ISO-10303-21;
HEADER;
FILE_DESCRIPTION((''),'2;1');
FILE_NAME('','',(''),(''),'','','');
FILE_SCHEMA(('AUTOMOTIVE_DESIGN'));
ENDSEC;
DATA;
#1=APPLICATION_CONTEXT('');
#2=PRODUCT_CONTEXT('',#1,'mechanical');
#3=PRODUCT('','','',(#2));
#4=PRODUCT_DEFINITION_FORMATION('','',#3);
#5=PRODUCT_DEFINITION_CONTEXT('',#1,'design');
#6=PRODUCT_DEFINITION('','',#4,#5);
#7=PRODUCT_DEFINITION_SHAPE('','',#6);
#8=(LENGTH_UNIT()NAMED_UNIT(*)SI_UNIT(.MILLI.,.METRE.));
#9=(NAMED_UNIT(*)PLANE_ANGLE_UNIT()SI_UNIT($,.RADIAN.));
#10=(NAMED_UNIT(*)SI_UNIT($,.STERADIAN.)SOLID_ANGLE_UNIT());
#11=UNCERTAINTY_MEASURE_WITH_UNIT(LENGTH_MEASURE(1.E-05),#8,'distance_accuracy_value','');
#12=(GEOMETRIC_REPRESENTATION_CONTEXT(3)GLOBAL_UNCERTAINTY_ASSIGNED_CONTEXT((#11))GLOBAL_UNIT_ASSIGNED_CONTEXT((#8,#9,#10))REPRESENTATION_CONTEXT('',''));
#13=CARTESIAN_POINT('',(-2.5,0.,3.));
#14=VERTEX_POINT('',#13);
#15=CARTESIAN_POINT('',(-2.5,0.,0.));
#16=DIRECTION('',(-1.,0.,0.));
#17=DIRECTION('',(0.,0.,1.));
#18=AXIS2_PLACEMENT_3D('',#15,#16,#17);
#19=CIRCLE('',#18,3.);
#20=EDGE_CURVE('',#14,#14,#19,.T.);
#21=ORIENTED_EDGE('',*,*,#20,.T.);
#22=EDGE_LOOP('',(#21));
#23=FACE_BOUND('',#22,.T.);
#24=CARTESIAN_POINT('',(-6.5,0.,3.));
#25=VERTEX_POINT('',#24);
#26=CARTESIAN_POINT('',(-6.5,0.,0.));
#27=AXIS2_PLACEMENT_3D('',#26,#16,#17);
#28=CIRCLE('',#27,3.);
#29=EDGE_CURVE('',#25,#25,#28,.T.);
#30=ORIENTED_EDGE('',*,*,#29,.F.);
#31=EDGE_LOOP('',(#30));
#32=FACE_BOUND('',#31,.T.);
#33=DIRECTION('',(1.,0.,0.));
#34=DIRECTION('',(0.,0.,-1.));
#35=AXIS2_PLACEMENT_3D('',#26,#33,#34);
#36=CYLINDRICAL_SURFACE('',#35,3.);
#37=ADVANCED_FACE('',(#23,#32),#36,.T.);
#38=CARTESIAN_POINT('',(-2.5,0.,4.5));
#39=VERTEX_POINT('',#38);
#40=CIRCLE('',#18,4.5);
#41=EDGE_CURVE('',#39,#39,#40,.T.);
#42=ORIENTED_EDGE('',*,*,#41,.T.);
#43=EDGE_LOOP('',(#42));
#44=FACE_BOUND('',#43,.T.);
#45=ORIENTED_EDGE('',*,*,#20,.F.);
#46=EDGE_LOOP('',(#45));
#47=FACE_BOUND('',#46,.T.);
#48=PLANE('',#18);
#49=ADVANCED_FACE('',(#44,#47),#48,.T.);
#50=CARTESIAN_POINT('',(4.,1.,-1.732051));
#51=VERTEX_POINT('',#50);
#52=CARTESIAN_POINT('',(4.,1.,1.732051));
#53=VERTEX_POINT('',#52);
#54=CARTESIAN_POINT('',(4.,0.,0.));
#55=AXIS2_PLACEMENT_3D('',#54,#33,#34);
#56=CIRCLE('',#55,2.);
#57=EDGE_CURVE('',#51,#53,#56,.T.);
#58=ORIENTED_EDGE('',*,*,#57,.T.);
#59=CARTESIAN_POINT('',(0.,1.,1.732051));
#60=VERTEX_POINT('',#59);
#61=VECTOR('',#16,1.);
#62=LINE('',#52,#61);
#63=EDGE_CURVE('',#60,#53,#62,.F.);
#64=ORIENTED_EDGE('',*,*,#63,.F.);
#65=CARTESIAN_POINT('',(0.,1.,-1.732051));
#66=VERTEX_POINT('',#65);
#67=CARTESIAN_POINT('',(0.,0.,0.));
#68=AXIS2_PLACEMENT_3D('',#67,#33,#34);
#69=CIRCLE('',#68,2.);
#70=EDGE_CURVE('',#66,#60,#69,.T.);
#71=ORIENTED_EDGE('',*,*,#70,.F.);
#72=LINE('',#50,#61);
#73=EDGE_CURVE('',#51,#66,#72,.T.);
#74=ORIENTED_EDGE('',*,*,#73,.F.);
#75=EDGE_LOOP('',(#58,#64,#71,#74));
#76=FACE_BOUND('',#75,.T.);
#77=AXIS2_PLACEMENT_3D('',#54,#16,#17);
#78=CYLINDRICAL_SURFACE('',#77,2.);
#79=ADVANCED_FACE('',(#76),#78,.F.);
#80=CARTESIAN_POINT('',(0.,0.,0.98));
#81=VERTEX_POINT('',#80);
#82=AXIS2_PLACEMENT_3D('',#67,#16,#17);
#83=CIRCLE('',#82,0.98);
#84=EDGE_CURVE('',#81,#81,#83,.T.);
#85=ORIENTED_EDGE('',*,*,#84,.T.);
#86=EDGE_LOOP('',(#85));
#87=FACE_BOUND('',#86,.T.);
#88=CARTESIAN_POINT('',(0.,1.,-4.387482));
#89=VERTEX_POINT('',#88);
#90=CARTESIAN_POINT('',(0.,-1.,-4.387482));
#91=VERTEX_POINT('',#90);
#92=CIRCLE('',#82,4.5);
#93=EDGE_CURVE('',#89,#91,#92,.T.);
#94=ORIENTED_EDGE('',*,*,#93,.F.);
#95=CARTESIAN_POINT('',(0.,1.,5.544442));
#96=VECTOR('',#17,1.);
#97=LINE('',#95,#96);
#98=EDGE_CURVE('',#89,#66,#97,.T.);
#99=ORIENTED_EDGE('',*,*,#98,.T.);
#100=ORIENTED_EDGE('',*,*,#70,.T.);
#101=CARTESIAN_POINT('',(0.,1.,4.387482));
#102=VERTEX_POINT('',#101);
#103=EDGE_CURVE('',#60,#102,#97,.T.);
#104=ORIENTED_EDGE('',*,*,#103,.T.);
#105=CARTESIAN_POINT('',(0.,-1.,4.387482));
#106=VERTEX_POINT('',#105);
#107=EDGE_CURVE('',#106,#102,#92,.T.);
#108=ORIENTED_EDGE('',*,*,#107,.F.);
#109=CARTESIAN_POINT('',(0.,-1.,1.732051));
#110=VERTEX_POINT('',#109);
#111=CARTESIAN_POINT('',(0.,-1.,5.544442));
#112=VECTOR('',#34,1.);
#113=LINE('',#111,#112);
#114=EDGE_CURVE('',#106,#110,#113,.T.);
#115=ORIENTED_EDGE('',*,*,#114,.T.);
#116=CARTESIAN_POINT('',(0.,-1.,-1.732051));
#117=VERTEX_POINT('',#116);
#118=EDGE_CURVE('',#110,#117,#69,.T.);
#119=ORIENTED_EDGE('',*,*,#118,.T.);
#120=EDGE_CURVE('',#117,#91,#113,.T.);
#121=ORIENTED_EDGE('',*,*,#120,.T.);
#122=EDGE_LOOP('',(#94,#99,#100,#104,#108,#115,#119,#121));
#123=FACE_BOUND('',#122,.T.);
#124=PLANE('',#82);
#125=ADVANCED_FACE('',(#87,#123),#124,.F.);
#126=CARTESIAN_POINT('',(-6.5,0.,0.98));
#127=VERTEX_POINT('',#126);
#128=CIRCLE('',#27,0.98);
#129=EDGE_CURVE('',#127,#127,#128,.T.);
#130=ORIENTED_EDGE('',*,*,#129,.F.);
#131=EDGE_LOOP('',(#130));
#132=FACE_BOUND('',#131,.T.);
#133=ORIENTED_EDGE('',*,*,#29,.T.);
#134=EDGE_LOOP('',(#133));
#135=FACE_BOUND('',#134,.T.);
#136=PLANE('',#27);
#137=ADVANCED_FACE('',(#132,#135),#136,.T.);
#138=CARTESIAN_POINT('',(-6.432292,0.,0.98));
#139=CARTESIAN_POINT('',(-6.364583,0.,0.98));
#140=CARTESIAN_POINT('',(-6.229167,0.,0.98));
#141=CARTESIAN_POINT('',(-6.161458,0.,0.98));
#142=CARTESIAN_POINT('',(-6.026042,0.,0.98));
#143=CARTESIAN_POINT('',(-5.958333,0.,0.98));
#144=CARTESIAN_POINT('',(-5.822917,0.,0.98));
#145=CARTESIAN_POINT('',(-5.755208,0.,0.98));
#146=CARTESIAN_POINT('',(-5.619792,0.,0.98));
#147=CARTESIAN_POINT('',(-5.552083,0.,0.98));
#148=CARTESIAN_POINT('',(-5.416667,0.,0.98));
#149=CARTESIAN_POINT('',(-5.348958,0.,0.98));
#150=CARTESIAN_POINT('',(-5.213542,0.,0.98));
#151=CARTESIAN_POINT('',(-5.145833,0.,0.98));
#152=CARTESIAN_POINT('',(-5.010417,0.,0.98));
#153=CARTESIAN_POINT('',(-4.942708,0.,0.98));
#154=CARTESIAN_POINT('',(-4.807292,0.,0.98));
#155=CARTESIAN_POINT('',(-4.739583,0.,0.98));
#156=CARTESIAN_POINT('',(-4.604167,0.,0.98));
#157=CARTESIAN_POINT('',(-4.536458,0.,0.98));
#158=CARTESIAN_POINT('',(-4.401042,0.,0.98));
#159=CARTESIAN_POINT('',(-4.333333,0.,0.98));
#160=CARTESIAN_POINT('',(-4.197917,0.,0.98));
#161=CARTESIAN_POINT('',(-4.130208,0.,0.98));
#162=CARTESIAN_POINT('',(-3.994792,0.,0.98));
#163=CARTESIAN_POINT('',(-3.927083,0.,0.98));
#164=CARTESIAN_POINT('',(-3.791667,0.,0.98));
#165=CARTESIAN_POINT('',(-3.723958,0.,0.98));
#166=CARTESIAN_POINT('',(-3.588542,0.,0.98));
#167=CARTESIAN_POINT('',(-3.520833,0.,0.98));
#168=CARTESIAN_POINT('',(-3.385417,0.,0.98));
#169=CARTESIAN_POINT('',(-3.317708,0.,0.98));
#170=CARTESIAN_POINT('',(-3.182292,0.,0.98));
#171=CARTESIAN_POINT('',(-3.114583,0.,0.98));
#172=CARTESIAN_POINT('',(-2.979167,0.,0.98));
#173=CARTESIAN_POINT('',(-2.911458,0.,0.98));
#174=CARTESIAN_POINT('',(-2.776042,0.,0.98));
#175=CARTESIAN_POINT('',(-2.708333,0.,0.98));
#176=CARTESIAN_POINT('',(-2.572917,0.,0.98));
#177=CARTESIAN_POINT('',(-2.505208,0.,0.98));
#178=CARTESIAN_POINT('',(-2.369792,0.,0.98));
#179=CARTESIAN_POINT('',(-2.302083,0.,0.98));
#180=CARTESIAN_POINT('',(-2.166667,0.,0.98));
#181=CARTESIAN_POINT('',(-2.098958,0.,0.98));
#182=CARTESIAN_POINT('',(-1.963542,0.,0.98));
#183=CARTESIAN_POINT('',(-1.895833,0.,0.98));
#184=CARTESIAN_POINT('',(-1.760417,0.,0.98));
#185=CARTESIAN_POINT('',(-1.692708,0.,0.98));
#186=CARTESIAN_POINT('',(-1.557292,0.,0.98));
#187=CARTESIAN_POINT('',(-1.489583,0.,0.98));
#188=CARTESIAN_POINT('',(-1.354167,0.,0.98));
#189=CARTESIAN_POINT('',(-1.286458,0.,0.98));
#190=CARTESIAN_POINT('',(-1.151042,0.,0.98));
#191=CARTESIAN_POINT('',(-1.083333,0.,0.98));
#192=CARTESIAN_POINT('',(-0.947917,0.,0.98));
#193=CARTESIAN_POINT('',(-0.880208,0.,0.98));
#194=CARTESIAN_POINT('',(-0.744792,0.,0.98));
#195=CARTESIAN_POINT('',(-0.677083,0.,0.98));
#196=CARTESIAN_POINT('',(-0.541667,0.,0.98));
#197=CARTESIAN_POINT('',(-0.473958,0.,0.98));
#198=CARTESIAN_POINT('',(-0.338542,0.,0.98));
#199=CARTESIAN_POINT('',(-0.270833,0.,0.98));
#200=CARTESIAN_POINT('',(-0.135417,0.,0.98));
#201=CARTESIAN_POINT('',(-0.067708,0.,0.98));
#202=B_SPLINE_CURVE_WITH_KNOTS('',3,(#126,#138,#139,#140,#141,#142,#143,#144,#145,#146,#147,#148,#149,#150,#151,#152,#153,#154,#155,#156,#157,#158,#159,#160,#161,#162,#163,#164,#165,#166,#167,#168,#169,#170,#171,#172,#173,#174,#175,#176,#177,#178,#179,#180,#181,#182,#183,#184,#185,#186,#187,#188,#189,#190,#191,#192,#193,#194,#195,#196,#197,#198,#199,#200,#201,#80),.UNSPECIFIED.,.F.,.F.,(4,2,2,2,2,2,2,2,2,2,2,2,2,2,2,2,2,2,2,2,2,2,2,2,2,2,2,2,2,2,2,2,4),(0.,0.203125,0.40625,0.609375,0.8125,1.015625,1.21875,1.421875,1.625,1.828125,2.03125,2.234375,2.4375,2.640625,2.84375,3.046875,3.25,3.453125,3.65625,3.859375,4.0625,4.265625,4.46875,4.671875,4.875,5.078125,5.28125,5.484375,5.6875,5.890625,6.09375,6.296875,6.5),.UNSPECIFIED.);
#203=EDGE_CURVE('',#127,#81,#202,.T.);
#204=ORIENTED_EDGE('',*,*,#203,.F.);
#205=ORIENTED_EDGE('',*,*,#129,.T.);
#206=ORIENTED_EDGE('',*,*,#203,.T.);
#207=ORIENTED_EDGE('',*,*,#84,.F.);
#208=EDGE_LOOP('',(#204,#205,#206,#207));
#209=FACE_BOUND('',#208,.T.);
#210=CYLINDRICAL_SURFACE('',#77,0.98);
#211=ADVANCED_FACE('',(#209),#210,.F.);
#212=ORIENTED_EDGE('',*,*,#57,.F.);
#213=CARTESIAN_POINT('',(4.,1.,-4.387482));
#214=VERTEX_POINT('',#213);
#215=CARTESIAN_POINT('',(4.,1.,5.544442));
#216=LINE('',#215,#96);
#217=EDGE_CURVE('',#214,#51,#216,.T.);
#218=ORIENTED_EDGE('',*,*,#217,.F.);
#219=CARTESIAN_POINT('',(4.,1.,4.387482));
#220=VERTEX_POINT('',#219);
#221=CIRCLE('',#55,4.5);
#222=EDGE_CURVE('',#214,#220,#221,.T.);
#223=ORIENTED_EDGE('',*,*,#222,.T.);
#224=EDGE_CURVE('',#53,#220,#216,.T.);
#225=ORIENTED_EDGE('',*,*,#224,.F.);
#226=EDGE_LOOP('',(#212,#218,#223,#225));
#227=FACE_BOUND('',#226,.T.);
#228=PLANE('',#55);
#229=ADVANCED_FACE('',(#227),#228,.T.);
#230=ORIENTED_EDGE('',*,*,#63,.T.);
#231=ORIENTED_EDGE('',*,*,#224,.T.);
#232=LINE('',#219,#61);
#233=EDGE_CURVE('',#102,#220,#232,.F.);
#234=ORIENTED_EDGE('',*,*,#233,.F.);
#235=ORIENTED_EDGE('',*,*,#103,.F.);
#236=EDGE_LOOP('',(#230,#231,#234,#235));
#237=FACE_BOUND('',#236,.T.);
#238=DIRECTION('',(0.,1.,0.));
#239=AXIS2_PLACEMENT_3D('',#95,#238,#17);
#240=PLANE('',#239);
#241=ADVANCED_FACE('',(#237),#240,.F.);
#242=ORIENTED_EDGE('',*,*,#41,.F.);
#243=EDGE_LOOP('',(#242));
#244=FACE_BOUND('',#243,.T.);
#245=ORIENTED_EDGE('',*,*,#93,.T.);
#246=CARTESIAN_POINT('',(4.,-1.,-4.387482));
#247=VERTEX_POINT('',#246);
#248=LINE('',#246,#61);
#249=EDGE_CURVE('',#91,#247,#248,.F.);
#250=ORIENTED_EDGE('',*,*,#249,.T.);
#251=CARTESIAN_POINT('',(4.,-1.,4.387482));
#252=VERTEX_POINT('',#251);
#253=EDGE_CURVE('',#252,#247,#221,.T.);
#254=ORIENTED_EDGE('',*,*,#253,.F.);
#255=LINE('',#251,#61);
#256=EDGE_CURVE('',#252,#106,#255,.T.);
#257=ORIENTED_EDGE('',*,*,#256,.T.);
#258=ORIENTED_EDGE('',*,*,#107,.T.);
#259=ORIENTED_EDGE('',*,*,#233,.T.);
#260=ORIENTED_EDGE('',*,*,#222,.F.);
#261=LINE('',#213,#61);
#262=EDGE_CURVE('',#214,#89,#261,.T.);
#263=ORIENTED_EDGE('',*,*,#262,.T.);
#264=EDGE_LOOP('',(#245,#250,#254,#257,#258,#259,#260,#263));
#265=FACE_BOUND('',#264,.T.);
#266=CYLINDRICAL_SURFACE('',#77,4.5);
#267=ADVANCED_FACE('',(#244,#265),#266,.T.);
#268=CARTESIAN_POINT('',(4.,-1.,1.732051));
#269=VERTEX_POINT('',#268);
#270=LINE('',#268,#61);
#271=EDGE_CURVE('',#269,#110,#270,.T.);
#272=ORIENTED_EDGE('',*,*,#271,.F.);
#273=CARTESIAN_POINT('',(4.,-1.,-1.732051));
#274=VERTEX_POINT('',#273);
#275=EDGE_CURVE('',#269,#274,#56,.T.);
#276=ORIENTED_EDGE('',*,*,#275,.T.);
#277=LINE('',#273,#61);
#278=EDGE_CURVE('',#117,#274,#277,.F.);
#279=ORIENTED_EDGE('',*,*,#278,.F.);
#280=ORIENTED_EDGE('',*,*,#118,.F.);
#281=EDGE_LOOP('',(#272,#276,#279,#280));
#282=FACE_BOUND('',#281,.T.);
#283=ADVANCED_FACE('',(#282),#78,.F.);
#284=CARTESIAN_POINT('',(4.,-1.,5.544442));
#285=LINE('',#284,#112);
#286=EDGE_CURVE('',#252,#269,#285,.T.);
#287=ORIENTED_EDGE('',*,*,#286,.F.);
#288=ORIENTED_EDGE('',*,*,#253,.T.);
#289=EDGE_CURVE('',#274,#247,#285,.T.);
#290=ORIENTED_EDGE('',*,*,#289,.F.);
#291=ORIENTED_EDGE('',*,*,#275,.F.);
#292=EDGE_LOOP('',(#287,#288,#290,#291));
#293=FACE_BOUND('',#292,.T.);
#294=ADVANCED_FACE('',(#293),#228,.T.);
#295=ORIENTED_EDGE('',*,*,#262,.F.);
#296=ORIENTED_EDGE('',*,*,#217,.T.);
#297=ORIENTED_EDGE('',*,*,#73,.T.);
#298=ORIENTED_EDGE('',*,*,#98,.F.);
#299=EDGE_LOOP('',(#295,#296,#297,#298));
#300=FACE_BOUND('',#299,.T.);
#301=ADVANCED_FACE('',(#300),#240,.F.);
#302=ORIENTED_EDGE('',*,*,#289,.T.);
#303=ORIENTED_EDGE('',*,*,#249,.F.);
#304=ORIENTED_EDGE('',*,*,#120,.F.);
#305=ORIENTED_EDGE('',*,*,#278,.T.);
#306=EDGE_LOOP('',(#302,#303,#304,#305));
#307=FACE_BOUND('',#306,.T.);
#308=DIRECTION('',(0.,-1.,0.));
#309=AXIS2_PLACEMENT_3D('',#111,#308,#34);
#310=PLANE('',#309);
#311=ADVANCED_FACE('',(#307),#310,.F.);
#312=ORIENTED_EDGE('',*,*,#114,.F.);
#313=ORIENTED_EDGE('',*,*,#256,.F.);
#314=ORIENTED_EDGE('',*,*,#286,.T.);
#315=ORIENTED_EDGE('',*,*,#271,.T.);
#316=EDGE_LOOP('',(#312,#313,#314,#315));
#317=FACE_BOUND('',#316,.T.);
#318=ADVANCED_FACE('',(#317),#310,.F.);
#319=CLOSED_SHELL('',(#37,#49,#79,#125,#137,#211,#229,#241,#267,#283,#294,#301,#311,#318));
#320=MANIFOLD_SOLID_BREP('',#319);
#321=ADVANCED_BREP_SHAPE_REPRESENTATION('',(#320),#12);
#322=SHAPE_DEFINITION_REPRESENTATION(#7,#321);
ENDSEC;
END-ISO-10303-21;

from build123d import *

# Parameters (mm, degrees)
SKETCH_1_R          = 4.5
SKETCH_1_R_2        = 2
EXTRUDE_1_DEPTH     = 4
SKETCH_2_W          = 10.852293239
SKETCH_2_H          = 2
CUT_EXTRUDE_1_DEPTH = 4
SKETCH_5_R          = 4.5
EXTRUDE_3_DEPTH     = 2.5
SKETCH_6_R          = 3
EXTRUDE_4_DEPTH     = 4
SKETCH_7_R          = 0.98
CUT_EXTRUDE_2_DEPTH = 13.278029158


with BuildPart() as part:
    # 草图1 → 凸台-拉伸1 (new body)
    with BuildSketch(Plane(origin=(0, 0, 0), x_dir=(0, 0, -1), z_dir=(1, 0, 0))):
        Circle(SKETCH_1_R)
        Circle(SKETCH_1_R_2, mode=Mode.SUBTRACT)
    extrude(amount=EXTRUDE_1_DEPTH)

    # 草图2 → 切除-拉伸1 (cut)
    with BuildSketch(Plane(origin=(4, 0, 0), x_dir=(0, 0, -1), z_dir=(1, 0, 0))):
        with Locations((-0.118295573, 0)):
            Rectangle(SKETCH_2_W, SKETCH_2_H)
    extrude(amount=-CUT_EXTRUDE_1_DEPTH, mode=Mode.SUBTRACT)


with BuildPart() as cut_extrude_1_piece_1:
    # of the separate pieces the step leaves, piece 1, a body of its own (cut_extrude_1_pieces)
    add(part.part.solids().sort_by_distance((0, 1, -4.387482194))[0])



with BuildPart() as cut_extrude_1_piece_2:
    # of the separate pieces the step leaves, piece 2, a body of its own (cut_extrude_1_pieces)
    add(part.part.solids().sort_by_distance((0, -1, 4.387482194))[0])


with BuildPart() as cut_extrude_1_piece_1_1:
    add(cut_extrude_1_piece_1.part)

    add(cut_extrude_1_piece_2.part)  # 凸台-拉伸3 merges 切除-拉伸1 piece 2
    # 草图5 → 凸台-拉伸3 (add)
    with BuildSketch(Plane.ZY):
        Circle(SKETCH_5_R)
    extrude(amount=EXTRUDE_3_DEPTH)

    # 草图6 → 凸台-拉伸4 (add)
    with BuildSketch(Plane.ZY.offset(2.5)):
        Circle(SKETCH_6_R)
    extrude(amount=EXTRUDE_4_DEPTH)

    # 草图7 → 切除-拉伸2 (cut, through all)
    with BuildSketch(Plane.ZY.offset(6.5)):
        Circle(SKETCH_7_R)
    extrude(amount=-CUT_EXTRUDE_2_DEPTH, mode=Mode.SUBTRACT)


solid = cut_extrude_1_piece_1_1.part
